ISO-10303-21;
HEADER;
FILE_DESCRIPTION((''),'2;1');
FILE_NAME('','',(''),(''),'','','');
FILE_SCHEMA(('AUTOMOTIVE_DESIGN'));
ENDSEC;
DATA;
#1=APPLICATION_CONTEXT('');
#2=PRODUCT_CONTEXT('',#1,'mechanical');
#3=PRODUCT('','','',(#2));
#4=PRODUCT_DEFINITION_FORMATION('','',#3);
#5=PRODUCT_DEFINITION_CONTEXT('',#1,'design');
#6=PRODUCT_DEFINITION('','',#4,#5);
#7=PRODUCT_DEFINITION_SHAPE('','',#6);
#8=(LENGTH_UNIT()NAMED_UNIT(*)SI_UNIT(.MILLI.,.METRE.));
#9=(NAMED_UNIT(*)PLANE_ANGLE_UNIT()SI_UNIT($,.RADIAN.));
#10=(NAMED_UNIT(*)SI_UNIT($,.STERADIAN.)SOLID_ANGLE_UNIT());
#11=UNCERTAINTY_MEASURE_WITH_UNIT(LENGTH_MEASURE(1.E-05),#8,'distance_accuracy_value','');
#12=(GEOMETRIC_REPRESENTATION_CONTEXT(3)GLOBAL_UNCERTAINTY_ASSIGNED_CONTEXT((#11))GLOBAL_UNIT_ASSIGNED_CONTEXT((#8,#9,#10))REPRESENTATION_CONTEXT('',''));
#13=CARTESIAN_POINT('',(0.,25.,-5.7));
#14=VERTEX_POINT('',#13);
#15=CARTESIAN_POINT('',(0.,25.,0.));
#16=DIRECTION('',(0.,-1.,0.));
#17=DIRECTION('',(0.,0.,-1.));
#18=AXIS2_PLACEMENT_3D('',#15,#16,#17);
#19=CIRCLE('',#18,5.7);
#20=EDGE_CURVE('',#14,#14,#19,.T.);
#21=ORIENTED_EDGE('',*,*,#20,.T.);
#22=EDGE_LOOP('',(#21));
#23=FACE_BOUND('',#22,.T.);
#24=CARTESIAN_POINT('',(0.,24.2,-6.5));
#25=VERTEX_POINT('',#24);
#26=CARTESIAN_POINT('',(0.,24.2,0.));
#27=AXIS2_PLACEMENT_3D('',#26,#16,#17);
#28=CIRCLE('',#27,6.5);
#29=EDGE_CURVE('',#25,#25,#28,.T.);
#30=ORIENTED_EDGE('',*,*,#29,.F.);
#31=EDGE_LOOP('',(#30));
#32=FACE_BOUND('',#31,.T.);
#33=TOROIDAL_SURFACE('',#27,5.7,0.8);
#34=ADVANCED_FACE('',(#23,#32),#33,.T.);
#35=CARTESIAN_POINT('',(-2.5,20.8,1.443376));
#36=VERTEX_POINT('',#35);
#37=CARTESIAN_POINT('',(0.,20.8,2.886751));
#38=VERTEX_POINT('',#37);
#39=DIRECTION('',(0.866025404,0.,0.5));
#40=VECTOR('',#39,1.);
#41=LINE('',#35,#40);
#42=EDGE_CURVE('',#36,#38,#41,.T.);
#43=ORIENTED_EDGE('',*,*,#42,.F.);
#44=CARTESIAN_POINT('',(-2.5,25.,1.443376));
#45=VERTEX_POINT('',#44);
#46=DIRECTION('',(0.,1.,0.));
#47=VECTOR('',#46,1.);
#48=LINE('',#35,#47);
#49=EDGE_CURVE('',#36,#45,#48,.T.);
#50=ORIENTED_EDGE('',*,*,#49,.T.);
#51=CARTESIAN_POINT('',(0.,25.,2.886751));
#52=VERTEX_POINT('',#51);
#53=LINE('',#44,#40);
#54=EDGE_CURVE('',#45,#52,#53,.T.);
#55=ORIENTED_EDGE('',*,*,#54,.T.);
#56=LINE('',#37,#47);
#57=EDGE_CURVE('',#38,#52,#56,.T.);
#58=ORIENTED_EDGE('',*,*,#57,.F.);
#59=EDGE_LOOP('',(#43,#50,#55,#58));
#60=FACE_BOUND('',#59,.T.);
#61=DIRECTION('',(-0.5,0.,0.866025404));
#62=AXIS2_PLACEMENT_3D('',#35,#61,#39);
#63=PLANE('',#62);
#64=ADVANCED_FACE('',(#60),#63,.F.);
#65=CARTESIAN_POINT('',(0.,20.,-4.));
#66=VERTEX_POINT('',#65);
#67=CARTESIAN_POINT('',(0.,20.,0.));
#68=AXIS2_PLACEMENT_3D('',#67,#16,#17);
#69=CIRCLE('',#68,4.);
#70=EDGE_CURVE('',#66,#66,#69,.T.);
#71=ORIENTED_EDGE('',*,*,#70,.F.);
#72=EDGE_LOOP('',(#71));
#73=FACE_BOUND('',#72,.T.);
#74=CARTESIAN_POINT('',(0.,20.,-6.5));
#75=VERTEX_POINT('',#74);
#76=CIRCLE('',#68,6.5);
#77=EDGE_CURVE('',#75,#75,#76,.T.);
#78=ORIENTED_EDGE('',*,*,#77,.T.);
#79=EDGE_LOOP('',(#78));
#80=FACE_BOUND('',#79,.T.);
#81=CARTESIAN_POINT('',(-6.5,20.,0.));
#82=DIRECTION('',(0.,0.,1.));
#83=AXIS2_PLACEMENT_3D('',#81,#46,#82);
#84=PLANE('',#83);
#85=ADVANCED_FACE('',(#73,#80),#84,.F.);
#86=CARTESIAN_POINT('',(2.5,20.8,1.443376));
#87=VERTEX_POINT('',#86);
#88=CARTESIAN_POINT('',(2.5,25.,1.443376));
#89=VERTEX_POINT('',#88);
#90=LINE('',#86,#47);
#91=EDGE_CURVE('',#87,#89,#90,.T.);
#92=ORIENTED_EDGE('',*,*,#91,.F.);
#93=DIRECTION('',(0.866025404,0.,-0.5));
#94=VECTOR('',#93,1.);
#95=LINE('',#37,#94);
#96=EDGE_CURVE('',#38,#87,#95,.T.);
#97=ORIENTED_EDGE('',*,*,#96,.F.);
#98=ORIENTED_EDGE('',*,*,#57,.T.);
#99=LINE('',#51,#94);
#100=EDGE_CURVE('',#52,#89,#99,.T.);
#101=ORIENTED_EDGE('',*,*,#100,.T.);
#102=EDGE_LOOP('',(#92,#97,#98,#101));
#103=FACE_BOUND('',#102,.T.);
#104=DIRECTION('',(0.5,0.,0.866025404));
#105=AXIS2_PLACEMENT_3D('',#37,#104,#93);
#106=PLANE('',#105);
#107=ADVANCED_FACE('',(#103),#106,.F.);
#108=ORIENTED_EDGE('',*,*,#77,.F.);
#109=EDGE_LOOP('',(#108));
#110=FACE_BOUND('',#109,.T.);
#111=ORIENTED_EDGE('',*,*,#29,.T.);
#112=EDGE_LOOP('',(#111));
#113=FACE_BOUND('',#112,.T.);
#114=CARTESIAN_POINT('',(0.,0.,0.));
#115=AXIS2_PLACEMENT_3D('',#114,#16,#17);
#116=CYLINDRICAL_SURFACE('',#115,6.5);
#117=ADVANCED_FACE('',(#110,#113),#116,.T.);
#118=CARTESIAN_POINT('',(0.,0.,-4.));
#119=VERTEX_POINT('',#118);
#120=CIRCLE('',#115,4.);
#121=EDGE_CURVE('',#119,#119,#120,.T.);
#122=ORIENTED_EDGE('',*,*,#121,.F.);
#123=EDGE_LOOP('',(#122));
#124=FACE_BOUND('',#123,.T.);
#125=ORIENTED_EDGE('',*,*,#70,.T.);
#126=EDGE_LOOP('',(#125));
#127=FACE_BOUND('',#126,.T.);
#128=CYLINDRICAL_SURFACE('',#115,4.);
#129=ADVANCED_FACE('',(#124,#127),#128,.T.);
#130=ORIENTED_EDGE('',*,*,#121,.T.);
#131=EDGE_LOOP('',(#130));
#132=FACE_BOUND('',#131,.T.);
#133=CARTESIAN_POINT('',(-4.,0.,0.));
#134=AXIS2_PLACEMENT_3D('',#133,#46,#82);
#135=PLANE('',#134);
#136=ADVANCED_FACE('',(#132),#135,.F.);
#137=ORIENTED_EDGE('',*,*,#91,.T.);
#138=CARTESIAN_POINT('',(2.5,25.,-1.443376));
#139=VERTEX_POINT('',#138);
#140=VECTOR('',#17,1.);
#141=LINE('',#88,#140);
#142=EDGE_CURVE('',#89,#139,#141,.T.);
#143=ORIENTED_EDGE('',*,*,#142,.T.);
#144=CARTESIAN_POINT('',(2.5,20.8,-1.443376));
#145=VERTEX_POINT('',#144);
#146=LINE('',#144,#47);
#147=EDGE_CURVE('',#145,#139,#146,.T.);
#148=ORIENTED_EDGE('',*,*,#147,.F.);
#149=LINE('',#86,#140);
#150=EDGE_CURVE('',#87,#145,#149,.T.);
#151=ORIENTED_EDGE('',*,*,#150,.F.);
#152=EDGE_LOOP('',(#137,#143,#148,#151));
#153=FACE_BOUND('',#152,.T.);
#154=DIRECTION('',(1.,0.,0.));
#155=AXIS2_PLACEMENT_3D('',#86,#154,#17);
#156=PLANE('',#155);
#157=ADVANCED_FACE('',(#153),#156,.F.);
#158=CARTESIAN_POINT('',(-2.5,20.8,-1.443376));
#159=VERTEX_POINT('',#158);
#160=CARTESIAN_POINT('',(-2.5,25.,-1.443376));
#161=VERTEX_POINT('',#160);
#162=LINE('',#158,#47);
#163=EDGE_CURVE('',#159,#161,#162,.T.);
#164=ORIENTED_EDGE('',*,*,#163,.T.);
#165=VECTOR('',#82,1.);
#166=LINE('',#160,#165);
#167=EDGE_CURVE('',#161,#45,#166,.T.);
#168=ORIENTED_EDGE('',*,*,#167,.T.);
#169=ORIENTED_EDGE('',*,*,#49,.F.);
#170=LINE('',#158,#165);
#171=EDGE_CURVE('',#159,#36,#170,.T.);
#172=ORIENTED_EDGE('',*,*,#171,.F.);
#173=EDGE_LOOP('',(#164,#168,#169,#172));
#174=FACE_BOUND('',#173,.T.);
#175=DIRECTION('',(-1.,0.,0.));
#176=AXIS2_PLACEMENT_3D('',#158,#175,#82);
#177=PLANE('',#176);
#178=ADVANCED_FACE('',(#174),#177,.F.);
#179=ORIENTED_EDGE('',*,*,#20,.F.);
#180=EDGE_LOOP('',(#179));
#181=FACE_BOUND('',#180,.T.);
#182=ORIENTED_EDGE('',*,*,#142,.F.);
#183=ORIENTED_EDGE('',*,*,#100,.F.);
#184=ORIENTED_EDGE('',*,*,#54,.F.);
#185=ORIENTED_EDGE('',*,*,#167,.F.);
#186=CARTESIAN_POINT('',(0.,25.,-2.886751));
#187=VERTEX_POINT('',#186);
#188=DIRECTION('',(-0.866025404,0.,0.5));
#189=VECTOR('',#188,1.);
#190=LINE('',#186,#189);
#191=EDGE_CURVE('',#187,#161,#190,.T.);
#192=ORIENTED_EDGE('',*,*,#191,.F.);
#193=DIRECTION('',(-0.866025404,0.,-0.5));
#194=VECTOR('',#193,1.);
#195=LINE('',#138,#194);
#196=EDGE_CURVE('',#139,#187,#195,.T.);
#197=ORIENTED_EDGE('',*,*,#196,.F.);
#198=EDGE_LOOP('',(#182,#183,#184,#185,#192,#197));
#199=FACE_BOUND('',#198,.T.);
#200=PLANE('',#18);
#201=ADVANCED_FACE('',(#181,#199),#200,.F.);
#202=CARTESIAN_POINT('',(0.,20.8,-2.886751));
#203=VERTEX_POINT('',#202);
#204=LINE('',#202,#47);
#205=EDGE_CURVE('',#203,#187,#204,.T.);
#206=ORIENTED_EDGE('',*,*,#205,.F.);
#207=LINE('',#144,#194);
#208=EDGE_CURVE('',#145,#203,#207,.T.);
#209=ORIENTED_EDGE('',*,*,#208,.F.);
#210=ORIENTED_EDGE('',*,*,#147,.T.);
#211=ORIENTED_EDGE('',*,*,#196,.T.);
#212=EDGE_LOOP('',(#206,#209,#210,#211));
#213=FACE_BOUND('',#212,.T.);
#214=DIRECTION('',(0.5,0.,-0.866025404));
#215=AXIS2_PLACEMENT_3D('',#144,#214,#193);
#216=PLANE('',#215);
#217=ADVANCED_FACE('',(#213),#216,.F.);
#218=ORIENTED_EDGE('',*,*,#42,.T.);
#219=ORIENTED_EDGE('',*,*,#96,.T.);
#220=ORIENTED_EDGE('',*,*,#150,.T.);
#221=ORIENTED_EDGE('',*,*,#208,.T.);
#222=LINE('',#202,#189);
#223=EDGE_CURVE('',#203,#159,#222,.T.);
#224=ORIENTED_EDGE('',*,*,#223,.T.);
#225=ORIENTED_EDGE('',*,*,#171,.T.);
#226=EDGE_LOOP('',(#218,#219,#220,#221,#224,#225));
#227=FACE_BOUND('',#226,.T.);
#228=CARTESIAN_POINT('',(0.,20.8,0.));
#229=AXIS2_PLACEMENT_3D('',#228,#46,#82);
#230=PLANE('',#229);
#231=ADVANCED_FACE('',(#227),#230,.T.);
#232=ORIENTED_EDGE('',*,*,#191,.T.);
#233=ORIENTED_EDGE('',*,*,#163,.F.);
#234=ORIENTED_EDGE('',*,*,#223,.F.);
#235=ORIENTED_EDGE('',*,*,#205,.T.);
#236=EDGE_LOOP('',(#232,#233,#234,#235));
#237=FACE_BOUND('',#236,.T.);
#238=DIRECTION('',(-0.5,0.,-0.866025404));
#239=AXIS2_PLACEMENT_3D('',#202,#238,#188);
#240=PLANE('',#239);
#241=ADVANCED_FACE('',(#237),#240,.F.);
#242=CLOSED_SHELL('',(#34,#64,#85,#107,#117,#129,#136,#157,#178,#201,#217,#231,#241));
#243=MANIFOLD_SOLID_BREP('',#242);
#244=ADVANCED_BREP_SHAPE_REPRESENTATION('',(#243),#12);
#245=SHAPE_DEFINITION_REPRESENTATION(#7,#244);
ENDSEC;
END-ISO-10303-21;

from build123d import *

# Parameters (mm, degrees)
CUT_EXTRUDE1_DEPTH = 4.2


with BuildPart() as part:
    # Sketch1 → Revolve1 (revolve)
    with BuildSketch(Plane.XY, mode=Mode.PRIVATE) as revolve1_sk:
        with BuildLine():
            Line((0, 25), (-5.7, 25))
            ThreePointArc((-5.7, 25), (-6.265685425, 24.765685425), (-6.5, 24.2))
            Line((-6.5, 24.2), (-6.5, 20))
            Line((-6.5, 20), (-4, 20))
            Line((-4, 20), (-4, 0))
            Line((-4, 0), (0, 0))
            Line((0, 0), (0, 25))
        make_face()
    revolve(revolve1_sk.sketch.rotate(Axis((0, 0, 0), (0, 1, 0)), 270), axis=Axis((0, 0, 0), (0, 1, 0)))

    # Sketch2 → Cut-Extrude1 (cut)
    with BuildSketch(Plane(origin=(0, 25, 0), x_dir=(1, 0, 0), z_dir=(0, 1, 0))):
        Polygon((0, 2.886751346), (-2.5, 1.443375673), (-2.5, -1.443375673), (0, -2.886751346), (2.5, -1.443375673), (2.5, 1.443375673), align=None)
    extrude(amount=-CUT_EXTRUDE1_DEPTH, mode=Mode.SUBTRACT)


solid = part.part
